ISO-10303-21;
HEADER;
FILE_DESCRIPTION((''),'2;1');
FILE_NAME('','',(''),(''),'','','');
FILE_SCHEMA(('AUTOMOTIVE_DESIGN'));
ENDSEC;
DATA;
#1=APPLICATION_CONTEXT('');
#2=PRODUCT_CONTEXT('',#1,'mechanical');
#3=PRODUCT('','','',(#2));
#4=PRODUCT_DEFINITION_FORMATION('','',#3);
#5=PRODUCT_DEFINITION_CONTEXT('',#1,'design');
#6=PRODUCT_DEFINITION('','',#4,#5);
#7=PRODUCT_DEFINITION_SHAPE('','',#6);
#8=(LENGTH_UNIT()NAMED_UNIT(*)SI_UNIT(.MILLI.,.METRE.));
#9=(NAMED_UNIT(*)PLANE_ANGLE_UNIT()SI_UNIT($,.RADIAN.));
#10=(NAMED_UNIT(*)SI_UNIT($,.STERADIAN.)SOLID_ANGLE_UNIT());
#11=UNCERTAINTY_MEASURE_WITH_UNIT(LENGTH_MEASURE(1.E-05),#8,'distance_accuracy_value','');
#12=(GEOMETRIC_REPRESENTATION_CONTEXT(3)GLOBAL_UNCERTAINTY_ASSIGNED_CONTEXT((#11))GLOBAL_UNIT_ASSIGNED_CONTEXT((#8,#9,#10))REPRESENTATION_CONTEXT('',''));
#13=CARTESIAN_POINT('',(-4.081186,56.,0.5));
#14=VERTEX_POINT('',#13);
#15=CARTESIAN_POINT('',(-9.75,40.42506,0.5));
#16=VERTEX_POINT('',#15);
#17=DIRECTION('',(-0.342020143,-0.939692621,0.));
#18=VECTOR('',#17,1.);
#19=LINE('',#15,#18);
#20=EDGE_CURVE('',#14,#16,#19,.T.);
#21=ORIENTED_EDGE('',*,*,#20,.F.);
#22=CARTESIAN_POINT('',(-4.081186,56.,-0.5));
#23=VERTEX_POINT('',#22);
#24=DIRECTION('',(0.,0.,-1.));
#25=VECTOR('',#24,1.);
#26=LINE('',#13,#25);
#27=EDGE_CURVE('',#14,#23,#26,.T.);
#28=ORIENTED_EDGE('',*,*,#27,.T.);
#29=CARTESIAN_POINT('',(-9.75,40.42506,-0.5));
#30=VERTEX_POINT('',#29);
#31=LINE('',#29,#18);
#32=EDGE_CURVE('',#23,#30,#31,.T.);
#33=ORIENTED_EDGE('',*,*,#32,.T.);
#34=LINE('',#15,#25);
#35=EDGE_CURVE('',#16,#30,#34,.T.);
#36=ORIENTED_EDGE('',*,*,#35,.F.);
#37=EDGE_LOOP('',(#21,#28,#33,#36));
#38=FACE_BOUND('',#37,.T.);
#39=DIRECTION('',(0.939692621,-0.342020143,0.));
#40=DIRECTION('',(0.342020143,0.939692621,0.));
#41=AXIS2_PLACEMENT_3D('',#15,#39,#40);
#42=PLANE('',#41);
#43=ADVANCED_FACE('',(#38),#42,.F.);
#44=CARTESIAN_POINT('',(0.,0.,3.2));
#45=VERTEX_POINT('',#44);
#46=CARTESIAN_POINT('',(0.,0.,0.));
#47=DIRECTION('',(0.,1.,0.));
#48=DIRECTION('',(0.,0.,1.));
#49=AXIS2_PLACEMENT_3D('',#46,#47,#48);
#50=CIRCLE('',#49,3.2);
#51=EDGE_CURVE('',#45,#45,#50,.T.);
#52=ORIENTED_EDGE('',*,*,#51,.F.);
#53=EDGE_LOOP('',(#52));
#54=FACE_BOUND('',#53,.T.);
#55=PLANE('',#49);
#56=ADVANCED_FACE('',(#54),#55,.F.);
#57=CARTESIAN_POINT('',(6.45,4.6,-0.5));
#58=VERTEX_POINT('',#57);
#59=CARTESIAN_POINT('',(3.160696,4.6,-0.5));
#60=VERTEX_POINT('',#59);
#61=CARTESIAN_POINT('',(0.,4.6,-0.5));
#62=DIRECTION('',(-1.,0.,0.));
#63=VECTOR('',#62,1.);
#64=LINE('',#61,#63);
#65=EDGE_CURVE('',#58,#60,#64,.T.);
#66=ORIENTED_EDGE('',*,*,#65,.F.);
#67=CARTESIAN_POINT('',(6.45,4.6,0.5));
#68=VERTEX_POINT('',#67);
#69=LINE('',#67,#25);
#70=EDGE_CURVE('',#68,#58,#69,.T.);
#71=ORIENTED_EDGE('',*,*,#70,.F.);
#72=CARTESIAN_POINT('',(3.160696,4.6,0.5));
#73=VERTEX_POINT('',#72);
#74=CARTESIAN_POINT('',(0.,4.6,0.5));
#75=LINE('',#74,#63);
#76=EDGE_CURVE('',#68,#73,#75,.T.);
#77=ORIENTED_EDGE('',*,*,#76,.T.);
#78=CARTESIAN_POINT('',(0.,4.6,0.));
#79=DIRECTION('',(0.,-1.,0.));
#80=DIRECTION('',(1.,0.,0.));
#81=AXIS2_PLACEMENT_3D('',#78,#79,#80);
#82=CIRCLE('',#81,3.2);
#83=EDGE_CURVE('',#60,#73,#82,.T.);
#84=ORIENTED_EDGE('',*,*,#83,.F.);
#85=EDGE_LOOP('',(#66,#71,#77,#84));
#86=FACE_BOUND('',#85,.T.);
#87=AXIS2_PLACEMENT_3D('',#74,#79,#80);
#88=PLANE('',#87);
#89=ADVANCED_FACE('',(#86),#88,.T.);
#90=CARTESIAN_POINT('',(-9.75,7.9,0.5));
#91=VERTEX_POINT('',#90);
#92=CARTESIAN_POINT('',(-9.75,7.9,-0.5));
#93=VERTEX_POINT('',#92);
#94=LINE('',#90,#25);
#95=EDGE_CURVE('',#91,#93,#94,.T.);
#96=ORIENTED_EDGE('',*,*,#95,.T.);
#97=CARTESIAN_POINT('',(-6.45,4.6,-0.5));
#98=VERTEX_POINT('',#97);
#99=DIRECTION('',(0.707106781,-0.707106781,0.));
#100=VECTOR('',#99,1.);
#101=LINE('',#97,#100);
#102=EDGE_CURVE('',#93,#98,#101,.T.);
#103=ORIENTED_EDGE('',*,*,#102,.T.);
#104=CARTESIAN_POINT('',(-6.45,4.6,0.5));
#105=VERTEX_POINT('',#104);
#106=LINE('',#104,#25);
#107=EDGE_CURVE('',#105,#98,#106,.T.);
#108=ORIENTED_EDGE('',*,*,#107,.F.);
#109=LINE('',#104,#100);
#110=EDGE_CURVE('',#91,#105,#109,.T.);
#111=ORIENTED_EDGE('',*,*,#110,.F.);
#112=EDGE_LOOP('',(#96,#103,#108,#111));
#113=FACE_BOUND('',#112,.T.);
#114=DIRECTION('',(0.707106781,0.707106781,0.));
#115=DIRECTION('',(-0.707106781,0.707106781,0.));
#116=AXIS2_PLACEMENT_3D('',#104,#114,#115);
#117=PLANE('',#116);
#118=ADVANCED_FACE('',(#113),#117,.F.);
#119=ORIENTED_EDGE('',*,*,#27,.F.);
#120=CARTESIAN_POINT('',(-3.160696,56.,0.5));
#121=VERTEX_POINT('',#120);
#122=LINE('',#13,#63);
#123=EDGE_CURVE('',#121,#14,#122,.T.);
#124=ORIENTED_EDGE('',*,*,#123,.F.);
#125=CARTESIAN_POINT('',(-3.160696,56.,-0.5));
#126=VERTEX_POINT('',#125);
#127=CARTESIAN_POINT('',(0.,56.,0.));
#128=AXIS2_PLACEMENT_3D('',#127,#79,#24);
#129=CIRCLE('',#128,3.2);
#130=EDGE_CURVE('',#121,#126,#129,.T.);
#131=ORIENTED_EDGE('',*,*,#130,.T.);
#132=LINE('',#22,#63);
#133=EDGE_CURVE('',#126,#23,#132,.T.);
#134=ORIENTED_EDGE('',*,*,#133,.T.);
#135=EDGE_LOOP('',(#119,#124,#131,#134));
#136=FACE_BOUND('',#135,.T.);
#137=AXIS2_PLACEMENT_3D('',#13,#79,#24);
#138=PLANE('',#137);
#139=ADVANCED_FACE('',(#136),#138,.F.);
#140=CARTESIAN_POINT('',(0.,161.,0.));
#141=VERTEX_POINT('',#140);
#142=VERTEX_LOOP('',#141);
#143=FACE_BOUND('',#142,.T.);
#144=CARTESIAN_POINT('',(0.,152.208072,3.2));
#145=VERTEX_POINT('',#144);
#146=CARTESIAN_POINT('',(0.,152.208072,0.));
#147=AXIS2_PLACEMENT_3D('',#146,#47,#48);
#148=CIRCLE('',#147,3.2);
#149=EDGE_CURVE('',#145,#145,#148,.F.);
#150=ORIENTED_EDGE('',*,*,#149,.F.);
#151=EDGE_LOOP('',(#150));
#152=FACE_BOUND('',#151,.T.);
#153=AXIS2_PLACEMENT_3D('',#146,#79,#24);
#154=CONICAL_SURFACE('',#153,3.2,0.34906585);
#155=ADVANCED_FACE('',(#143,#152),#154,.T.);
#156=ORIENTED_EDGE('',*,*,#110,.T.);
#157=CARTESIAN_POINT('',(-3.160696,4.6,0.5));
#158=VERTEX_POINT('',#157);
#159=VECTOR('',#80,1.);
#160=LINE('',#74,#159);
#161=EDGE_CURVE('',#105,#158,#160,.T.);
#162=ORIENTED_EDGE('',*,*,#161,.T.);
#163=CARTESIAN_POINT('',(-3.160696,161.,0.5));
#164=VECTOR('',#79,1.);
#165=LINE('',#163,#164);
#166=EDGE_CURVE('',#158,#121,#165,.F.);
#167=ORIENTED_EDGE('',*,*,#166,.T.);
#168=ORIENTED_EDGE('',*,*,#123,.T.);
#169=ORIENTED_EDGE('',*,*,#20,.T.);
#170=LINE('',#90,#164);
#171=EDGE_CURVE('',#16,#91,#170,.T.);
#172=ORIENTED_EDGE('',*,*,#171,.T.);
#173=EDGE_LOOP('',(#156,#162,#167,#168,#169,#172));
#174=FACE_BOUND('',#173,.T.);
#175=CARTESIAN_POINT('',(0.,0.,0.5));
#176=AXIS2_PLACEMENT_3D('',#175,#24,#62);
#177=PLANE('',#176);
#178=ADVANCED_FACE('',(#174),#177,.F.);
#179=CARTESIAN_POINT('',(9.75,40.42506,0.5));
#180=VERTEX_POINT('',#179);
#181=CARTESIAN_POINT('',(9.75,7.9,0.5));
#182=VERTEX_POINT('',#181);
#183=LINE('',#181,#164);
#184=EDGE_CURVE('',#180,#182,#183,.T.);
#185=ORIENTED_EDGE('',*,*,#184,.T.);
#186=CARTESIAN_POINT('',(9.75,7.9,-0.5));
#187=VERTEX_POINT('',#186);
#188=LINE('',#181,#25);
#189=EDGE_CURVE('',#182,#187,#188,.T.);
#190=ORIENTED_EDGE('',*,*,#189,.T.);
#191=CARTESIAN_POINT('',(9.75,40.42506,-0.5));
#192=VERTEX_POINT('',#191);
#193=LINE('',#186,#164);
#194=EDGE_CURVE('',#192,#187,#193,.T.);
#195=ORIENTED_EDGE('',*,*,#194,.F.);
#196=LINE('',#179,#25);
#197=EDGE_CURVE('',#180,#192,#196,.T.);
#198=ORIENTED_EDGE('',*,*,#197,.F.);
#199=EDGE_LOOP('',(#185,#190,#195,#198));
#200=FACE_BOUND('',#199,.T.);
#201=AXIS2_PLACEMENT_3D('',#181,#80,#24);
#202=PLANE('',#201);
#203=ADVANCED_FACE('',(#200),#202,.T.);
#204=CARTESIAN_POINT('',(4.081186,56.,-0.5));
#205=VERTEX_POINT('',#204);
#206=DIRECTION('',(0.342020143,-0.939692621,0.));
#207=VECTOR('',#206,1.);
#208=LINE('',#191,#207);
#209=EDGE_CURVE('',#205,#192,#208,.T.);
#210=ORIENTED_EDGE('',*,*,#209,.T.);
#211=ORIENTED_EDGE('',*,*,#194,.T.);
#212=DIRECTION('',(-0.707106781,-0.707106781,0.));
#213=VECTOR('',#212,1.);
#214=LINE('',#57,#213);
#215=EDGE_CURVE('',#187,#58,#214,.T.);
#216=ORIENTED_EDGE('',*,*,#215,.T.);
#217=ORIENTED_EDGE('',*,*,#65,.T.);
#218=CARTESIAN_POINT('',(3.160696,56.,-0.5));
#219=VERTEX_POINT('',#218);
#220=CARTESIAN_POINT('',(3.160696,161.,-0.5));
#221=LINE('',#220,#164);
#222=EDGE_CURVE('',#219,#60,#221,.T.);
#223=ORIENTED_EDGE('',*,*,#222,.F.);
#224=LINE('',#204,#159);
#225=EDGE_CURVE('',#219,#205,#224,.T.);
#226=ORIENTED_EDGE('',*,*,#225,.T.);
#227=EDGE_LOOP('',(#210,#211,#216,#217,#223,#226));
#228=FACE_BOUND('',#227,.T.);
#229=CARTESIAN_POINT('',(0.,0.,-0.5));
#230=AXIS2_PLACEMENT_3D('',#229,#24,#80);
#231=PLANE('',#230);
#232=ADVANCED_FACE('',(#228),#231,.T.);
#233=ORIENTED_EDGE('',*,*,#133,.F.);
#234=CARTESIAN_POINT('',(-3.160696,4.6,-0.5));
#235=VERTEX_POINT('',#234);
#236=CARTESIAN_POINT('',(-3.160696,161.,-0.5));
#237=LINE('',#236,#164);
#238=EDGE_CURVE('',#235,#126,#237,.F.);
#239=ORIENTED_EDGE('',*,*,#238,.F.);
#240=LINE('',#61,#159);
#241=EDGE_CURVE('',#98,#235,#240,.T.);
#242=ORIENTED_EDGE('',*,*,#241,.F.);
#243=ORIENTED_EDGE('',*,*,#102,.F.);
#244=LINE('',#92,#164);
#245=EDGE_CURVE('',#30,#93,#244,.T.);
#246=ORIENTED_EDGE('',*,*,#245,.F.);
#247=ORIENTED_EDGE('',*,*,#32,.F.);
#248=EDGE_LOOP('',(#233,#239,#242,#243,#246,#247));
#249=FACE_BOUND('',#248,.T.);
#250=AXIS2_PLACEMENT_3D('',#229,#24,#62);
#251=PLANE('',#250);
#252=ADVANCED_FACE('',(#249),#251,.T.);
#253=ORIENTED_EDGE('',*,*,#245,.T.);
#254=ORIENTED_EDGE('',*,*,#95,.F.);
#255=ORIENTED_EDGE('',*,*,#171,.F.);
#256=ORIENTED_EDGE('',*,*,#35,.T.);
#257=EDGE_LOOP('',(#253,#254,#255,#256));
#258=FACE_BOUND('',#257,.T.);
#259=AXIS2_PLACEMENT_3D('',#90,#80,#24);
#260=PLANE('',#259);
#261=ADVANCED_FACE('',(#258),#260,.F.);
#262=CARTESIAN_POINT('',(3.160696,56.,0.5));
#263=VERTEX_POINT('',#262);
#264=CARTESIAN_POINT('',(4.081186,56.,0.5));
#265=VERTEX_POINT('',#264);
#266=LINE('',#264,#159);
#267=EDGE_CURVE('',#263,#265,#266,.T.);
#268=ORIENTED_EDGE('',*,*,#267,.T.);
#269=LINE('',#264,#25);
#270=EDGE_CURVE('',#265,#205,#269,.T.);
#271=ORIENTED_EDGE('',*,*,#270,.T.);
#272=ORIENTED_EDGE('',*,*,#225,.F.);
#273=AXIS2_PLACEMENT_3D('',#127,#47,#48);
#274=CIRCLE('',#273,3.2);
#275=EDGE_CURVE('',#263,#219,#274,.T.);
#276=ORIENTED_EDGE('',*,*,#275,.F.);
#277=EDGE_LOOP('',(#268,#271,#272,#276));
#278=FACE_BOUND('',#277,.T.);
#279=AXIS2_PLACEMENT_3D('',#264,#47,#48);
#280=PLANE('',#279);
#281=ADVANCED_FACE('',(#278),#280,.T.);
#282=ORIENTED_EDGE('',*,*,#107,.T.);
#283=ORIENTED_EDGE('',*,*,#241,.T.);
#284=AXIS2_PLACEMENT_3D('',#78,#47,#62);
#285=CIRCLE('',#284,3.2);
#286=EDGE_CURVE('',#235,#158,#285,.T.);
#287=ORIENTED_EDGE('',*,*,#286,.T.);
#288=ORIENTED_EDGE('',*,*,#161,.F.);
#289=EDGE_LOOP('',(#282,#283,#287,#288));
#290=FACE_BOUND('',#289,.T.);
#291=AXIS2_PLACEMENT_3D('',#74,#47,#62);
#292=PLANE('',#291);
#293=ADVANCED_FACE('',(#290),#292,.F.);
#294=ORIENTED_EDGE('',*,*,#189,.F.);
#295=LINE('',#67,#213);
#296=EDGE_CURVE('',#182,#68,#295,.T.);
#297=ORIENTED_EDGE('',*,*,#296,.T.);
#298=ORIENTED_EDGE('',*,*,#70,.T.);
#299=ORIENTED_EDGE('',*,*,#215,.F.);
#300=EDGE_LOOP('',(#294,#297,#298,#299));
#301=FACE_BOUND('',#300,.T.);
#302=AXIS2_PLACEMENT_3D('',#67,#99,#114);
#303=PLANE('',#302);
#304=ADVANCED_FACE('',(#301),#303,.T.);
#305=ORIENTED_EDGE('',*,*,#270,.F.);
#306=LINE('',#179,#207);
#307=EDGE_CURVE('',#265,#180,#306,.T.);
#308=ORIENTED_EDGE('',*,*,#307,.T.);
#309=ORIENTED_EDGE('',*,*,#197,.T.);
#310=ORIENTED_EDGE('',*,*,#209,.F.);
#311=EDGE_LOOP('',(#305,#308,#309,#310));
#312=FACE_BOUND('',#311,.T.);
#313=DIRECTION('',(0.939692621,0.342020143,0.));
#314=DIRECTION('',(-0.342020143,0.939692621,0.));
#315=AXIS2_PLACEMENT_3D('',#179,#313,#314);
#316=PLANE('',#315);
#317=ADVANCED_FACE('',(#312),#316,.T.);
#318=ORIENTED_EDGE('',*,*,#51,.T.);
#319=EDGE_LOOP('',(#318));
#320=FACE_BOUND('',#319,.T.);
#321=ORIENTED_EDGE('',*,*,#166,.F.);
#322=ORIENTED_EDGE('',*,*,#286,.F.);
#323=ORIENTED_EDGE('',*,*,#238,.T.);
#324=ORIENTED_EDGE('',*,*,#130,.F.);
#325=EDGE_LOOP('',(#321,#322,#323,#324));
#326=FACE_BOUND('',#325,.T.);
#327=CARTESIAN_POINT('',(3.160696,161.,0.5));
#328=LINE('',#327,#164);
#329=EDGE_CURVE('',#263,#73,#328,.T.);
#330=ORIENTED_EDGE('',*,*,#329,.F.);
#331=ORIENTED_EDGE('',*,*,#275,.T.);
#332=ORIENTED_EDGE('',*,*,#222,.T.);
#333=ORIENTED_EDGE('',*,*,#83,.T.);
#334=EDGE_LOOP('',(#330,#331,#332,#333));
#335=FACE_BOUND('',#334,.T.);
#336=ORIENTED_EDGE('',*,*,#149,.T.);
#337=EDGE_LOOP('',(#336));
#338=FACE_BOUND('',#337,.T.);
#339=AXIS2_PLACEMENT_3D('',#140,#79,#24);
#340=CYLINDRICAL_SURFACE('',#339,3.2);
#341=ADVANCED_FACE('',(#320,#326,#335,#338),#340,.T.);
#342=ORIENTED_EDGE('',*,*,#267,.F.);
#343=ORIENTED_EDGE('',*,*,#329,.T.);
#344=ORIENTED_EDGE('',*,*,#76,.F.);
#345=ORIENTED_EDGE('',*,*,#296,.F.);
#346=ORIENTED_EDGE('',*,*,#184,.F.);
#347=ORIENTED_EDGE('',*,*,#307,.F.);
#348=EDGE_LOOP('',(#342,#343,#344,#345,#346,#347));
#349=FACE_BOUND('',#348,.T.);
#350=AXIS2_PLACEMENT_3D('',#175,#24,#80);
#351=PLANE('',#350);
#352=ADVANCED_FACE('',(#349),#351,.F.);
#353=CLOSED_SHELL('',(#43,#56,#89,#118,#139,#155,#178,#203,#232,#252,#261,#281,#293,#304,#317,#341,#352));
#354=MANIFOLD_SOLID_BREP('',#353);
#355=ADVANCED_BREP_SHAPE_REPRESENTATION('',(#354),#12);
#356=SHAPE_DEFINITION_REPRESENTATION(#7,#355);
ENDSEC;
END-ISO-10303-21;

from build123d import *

# Parameters (mm, degrees)
SKETCH1_R           = 3.2
BOSS_EXTRUDE1_DEPTH = 161
CHAMFER1_SIZE       = 3.2
CHAMFER1_SIZE2      = 8.791927742
FLETCHING_DEPTH     = 0.5


with BuildPart() as part:
    # Sketch1 → Boss-Extrude1 (new body)
    with BuildSketch(Plane(origin=(0, 0, 0), x_dir=(1, 0, 0), z_dir=(0, 1, 0))):
        with Locations(Location((0, 0, 0), (0, 0, 270))):
            Circle(SKETCH1_R)
    extrude(amount=BOSS_EXTRUDE1_DEPTH)

    # Chamfer1
    chamfer1_edges = [part.edges().sort_by_distance(p)[0] for p in [
        (0, 161, -3.2),
    ]]
    chamfer1_side = [part.faces().sort_by_distance(p)[0] for p in [
        (0, 161, 0),
    ]]
    chamfer(chamfer1_edges, length=CHAMFER1_SIZE, length2=CHAMFER1_SIZE2, reference=chamfer1_side[0])

    # Sketch2 → Fletching (add, symmetric)
    with BuildSketch(Plane.XY):
        Polygon((0, 4.6), (-6.45, 4.6), (-9.75, 7.9), (-9.75, 40.425060307), (-4.081185551, 56), (0, 56), align=None)
    fletching = extrude(amount=FLETCHING_DEPTH, both=True)

    # Fletchings: Fletching across plane
    add(fletching.mirror(Plane(origin=(0, 0, 0), x_dir=(0, 0, 1), z_dir=(1, 0, 0))))


solid = part.part
